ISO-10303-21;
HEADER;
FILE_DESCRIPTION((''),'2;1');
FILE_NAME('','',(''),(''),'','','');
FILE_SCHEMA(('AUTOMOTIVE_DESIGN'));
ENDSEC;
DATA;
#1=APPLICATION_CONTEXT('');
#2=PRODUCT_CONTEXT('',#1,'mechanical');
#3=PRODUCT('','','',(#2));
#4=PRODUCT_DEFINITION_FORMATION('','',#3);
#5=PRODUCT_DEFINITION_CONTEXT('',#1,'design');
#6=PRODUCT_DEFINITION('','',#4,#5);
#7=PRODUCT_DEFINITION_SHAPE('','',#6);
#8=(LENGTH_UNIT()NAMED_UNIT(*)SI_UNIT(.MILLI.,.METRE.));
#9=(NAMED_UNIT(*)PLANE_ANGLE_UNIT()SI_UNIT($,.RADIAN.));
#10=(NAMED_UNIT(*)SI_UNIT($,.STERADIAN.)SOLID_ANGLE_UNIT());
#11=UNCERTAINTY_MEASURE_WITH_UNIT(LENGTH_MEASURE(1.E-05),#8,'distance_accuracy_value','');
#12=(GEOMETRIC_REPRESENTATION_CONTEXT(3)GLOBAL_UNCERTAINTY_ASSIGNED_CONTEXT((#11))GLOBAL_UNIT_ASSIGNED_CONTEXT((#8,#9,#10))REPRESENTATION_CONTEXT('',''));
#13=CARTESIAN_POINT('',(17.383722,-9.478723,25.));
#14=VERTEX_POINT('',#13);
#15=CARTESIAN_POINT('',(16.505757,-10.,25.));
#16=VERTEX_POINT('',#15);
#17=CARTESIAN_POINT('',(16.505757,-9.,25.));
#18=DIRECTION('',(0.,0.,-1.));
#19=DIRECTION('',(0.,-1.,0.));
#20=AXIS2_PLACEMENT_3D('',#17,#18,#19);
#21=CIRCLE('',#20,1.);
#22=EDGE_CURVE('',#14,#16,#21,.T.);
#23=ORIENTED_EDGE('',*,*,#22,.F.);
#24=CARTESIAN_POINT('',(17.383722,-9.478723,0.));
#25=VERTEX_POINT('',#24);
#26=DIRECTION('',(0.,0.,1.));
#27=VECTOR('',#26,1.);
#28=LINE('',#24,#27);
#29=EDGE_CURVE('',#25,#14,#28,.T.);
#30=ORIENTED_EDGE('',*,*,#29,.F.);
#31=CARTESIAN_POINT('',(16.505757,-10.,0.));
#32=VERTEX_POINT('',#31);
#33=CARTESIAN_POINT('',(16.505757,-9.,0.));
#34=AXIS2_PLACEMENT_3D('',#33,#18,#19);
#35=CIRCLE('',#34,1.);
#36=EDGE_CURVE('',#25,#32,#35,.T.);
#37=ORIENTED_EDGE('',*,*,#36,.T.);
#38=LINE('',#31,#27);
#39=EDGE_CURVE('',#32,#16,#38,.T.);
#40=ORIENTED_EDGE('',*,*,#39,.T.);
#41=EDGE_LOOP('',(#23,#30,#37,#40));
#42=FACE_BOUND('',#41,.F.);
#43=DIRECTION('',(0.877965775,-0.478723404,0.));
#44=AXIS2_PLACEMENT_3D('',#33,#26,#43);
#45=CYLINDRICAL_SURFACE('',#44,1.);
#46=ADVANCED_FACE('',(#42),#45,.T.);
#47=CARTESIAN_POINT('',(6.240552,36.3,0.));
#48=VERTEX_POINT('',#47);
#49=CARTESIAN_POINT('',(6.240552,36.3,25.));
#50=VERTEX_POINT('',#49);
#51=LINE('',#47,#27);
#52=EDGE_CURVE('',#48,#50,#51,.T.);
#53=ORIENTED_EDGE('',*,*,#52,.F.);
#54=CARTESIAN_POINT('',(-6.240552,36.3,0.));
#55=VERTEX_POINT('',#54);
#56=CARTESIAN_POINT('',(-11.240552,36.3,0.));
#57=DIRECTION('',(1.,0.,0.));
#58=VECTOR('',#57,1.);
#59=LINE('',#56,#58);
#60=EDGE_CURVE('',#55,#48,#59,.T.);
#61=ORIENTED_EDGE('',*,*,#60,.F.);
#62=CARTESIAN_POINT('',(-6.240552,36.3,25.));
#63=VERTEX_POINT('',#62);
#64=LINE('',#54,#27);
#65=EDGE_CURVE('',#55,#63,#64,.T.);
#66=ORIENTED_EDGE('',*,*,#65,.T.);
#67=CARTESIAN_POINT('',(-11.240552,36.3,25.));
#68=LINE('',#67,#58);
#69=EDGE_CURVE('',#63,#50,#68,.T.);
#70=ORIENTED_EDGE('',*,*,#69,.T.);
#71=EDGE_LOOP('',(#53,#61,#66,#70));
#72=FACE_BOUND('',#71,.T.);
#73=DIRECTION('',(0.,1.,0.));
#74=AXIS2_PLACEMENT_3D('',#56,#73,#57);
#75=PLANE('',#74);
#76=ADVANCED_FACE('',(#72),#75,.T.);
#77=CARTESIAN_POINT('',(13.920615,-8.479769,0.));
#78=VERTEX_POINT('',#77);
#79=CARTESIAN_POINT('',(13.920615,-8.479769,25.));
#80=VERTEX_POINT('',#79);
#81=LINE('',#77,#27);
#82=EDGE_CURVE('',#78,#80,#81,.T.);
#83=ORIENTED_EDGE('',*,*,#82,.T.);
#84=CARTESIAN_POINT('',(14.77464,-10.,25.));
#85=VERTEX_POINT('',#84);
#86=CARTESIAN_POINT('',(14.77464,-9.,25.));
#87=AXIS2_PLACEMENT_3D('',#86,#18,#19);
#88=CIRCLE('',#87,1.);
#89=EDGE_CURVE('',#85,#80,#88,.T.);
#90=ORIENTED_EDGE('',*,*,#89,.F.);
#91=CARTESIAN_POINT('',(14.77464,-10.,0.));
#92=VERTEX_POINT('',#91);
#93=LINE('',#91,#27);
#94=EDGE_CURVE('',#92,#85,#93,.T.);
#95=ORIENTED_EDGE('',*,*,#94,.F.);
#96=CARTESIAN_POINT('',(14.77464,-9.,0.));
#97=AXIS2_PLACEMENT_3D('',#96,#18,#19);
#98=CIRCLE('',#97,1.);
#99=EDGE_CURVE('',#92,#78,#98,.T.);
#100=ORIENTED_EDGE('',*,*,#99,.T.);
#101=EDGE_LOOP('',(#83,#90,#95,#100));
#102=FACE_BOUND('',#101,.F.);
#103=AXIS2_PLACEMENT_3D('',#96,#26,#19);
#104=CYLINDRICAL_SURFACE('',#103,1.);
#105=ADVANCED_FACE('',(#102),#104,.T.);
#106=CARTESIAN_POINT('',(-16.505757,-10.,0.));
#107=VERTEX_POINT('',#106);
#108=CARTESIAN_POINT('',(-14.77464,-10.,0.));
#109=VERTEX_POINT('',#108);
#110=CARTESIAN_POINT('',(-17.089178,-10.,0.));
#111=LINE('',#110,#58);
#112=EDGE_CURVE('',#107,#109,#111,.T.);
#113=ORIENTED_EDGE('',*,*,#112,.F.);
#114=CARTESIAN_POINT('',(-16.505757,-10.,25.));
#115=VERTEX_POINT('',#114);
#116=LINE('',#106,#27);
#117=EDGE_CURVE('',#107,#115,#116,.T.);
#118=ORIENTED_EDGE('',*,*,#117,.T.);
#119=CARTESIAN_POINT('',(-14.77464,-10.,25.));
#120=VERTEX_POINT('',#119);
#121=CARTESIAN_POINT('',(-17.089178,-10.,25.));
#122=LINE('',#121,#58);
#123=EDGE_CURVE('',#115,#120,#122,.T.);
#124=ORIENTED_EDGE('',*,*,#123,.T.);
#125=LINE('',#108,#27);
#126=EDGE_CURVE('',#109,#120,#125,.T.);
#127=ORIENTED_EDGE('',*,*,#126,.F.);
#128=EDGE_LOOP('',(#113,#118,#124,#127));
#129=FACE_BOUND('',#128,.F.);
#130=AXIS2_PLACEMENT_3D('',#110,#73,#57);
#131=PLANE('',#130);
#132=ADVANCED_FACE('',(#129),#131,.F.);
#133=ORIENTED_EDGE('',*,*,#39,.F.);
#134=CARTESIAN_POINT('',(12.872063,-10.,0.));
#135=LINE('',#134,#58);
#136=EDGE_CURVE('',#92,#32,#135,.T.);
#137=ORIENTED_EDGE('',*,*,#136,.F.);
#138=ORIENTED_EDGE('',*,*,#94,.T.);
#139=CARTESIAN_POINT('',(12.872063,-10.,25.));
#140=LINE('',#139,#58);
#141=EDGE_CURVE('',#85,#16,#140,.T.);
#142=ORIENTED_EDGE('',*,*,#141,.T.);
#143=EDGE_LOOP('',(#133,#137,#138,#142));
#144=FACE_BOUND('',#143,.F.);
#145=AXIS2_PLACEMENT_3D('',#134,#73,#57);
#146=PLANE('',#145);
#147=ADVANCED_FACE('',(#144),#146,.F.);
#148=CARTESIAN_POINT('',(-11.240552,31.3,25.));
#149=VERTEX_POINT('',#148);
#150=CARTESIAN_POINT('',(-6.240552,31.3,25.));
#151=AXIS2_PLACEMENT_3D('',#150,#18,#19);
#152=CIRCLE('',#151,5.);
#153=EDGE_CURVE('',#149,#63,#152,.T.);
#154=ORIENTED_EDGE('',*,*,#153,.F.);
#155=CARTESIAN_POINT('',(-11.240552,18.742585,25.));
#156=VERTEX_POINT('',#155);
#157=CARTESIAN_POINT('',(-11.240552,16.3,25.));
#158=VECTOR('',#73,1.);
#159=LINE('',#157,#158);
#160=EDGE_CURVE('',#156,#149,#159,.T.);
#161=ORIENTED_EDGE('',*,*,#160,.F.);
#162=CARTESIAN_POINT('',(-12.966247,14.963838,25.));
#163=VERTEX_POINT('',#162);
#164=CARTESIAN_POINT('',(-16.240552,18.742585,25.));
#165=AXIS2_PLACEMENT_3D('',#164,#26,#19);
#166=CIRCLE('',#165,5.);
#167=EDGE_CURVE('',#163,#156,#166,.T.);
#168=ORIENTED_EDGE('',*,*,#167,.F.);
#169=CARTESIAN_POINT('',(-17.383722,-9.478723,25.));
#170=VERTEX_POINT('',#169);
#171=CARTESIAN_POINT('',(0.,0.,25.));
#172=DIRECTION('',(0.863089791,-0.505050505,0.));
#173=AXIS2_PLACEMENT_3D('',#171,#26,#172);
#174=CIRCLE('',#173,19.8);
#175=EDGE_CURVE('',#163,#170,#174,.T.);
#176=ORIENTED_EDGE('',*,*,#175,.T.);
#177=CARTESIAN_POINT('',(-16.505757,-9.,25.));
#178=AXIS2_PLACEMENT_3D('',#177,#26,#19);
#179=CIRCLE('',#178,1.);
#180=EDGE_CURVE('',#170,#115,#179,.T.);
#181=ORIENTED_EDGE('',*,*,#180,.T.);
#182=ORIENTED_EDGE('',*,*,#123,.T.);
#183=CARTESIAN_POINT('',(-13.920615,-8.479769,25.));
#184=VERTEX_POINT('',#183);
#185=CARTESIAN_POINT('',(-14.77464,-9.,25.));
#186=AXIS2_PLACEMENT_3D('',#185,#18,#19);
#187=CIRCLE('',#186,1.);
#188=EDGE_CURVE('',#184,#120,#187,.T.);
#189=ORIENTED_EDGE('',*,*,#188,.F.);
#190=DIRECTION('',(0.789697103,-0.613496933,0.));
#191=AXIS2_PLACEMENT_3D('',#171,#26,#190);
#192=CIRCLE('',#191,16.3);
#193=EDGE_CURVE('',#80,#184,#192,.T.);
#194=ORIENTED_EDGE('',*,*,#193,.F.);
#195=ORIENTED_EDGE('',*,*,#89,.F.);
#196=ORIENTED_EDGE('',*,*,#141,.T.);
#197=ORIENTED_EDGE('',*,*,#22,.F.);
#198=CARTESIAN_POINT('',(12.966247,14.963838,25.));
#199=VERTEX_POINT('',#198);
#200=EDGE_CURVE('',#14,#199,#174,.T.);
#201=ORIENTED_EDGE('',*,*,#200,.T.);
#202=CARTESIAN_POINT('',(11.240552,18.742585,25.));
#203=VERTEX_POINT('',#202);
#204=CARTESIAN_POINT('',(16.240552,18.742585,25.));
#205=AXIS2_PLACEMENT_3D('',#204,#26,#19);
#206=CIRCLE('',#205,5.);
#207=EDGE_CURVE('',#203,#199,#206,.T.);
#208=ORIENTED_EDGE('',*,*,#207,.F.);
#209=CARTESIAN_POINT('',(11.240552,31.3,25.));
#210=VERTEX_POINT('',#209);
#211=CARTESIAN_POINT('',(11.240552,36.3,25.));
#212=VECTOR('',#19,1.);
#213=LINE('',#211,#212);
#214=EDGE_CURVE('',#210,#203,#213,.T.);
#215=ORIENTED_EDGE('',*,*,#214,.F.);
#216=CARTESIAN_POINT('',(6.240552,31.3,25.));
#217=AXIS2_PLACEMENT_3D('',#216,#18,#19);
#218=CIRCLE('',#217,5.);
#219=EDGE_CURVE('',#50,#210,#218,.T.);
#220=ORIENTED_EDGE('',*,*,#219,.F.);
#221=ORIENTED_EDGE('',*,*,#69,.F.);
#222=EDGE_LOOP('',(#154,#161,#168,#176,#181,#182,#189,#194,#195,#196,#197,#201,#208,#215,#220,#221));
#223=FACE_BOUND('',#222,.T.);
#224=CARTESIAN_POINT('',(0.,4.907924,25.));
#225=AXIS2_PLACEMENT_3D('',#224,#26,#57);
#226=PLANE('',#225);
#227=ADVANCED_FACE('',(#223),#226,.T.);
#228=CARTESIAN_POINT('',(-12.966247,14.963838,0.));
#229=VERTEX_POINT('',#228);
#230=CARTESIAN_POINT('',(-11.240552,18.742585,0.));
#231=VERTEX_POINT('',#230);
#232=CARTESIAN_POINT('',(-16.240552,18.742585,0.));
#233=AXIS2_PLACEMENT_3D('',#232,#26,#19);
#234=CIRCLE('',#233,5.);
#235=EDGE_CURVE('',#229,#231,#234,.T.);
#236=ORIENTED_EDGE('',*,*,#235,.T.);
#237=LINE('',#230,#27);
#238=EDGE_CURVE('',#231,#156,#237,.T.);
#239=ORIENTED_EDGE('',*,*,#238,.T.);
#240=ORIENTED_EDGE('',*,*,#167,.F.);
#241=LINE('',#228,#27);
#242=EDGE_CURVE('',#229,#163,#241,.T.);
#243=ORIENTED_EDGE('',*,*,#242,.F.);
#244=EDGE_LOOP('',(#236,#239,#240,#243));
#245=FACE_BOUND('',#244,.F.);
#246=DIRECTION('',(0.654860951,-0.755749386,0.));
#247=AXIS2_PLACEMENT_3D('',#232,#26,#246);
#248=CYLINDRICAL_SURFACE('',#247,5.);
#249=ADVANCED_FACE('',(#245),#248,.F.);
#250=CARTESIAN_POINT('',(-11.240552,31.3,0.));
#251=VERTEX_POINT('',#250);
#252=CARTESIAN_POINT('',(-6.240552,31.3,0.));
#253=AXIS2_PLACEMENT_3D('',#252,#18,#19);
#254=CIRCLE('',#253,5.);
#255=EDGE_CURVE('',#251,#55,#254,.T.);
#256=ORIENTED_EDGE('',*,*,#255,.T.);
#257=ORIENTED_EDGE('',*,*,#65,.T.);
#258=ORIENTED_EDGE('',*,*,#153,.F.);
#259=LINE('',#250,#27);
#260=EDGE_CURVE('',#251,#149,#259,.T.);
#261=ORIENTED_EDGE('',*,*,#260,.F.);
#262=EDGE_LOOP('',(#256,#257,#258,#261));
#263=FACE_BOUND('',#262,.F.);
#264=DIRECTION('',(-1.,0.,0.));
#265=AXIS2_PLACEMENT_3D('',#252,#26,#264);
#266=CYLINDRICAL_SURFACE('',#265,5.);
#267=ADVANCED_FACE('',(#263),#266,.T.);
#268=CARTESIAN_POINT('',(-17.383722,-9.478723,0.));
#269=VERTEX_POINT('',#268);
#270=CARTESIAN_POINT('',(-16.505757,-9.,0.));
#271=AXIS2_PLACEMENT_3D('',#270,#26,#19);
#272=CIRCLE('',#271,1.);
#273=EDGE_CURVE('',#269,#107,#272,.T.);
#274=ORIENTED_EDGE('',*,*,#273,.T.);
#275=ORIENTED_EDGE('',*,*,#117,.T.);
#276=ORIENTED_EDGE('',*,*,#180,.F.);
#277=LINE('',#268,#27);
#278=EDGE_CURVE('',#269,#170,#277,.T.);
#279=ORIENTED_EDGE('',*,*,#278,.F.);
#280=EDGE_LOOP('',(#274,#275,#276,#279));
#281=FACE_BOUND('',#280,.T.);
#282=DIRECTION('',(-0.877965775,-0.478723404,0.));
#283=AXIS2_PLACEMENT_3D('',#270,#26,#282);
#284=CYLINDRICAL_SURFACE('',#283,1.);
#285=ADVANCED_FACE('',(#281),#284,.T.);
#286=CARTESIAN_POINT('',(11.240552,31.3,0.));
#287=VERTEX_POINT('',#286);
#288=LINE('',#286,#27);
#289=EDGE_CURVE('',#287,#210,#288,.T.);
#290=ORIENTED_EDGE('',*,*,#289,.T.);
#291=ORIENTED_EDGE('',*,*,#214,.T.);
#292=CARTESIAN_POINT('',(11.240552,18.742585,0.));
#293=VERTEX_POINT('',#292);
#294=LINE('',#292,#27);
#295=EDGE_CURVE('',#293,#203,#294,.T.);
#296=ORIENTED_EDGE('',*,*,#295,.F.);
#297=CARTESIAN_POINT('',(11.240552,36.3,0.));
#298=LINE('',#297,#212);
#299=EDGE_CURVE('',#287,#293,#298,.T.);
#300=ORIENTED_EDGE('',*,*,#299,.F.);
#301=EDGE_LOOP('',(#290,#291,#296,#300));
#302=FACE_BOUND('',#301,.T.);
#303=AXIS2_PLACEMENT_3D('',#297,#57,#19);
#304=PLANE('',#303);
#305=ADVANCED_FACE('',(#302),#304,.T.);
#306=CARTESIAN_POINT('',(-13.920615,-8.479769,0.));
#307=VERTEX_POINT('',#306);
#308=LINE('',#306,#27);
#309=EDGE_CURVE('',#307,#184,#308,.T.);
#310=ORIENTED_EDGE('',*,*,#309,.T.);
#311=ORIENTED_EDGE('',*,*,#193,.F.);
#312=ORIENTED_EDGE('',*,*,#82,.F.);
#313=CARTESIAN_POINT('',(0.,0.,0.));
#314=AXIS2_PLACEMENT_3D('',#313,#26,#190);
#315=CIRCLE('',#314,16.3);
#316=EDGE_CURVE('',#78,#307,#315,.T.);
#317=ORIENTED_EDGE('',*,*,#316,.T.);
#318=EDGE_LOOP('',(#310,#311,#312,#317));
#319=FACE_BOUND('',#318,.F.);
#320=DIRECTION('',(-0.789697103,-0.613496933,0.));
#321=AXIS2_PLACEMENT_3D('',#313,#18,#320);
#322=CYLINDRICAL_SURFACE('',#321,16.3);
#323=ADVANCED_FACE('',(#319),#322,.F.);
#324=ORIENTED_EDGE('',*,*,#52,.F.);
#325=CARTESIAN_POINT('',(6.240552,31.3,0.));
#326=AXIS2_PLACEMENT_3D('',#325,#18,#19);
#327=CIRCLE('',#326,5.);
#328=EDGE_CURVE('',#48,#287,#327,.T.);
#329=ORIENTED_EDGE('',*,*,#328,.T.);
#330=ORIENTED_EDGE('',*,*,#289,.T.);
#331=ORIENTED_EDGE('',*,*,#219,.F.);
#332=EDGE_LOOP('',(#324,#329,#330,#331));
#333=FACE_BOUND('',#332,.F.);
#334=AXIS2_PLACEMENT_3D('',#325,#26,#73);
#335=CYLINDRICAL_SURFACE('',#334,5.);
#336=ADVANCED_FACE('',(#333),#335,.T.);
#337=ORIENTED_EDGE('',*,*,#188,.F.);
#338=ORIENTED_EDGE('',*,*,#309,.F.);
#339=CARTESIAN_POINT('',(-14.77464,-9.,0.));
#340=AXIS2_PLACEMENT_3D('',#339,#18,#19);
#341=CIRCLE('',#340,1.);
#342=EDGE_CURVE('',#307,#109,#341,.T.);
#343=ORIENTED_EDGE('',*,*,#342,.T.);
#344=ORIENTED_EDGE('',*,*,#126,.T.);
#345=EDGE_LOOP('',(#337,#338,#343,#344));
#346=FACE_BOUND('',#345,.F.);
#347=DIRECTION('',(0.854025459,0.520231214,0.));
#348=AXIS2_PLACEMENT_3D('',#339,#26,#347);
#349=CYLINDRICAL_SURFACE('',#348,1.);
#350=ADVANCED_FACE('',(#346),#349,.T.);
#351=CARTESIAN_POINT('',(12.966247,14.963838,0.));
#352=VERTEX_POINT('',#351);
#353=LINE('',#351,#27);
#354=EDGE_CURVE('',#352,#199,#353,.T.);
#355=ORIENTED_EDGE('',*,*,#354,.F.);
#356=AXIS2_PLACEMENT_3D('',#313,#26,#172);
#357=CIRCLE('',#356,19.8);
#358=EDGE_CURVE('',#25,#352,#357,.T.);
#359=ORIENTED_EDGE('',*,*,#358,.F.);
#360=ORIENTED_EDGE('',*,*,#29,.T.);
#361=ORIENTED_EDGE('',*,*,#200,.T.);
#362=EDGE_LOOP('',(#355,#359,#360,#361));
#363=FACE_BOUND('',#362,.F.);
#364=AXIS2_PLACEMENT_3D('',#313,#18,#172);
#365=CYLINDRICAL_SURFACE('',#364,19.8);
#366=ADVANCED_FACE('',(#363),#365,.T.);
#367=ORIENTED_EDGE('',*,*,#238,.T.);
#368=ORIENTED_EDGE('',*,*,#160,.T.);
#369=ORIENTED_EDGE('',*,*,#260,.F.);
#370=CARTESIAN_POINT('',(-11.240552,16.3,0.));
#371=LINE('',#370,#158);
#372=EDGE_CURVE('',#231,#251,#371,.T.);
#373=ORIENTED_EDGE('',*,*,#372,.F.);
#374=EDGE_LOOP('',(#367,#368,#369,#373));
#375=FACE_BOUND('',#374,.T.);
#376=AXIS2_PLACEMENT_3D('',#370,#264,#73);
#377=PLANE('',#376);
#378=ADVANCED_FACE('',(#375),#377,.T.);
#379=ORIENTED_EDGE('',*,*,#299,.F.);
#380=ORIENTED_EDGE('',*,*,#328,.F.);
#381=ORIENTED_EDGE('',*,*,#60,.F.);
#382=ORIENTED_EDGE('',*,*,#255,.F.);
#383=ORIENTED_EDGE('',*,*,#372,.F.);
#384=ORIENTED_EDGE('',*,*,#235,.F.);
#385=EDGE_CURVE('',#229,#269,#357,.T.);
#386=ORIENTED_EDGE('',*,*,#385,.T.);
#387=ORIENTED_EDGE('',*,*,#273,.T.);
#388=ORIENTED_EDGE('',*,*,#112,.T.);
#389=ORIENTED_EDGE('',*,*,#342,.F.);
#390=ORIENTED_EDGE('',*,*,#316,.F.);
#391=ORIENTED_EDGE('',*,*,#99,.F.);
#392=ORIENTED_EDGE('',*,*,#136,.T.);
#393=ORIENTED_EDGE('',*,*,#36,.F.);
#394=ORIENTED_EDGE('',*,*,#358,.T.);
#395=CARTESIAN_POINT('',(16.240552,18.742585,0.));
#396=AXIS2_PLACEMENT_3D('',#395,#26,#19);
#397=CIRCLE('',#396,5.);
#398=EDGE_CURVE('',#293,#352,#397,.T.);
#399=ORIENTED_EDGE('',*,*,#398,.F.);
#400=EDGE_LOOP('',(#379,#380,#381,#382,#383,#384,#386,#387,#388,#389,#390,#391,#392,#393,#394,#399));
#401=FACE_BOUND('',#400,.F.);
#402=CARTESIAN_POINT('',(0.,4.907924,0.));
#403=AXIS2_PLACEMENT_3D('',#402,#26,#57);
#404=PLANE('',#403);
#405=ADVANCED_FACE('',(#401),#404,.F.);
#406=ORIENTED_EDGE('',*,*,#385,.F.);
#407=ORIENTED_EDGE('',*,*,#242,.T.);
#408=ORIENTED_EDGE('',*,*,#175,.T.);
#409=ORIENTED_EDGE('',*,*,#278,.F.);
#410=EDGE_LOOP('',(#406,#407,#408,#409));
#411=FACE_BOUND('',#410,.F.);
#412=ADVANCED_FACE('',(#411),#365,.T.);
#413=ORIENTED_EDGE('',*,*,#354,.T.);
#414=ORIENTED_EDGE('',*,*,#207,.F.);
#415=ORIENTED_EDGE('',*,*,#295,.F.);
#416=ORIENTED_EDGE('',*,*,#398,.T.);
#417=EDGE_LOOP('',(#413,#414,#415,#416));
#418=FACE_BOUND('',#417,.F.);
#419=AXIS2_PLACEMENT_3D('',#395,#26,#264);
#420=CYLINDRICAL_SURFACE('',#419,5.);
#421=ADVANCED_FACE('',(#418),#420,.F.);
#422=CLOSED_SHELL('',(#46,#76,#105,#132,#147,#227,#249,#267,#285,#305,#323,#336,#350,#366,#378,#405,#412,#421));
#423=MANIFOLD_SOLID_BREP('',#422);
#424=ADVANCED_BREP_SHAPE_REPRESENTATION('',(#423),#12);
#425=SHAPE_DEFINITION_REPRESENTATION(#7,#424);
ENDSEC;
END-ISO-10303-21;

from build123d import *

# Parameters (mm, degrees)
F1_DEPTH = 25
F3_DEPTH = 25
F4_R     = 1
F5_R     = 5


with BuildPart() as f1:
    # F0 (on Top) → F1 (new body)
    with BuildSketch(Plane.XY):
        with BuildLine():
            ThreePointArc((-12.8720627718, -10), (0, 16.3), (12.8720627718, -10))
            Line((12.8720627718, -10), (17.089177862, -10))
            ThreePointArc((17.089177862, -10), (0, 19.8), (-17.089177862, -10))
            Line((-17.089177862, -10), (-12.8720627718, -10))
        make_face()
    extrude(amount=F1_DEPTH)

    # F2 (on face) → F3 (join, through all)
    with BuildSketch(Plane(origin=(0, 0, 0), x_dir=(1, 0, 0), z_dir=(0, 0, -1))):
        Polygon((11.2405515879, -16.3), (0, -16.3), (-11.2405515879, -16.3), (-11.2405515879, -36.3), (11.2405515879, -36.3), align=None)
    extrude(amount=-F3_DEPTH)

    # F4
    f4_edges = [f1.edges().sort_by_distance(p)[0] for p in [
        (-12.872063, -10, 12.5),
        (12.872063, -10, 12.5),
        (-17.089178, -10, 12.5),
        (17.089178, -10, 12.5),
    ]]
    fillet(f4_edges, radius=F4_R)

    # F5
    f5_edges = [f1.edges().sort_by_distance(p)[0] for p in [
        (-11.240552, 16.3, 12.5),
        (11.240552, 16.3, 12.5),
        (-11.240552, 36.3, 12.5),
        (11.240552, 36.3, 12.5),
    ]]
    fillet(f5_edges, radius=F5_R)


solid = f1.part
